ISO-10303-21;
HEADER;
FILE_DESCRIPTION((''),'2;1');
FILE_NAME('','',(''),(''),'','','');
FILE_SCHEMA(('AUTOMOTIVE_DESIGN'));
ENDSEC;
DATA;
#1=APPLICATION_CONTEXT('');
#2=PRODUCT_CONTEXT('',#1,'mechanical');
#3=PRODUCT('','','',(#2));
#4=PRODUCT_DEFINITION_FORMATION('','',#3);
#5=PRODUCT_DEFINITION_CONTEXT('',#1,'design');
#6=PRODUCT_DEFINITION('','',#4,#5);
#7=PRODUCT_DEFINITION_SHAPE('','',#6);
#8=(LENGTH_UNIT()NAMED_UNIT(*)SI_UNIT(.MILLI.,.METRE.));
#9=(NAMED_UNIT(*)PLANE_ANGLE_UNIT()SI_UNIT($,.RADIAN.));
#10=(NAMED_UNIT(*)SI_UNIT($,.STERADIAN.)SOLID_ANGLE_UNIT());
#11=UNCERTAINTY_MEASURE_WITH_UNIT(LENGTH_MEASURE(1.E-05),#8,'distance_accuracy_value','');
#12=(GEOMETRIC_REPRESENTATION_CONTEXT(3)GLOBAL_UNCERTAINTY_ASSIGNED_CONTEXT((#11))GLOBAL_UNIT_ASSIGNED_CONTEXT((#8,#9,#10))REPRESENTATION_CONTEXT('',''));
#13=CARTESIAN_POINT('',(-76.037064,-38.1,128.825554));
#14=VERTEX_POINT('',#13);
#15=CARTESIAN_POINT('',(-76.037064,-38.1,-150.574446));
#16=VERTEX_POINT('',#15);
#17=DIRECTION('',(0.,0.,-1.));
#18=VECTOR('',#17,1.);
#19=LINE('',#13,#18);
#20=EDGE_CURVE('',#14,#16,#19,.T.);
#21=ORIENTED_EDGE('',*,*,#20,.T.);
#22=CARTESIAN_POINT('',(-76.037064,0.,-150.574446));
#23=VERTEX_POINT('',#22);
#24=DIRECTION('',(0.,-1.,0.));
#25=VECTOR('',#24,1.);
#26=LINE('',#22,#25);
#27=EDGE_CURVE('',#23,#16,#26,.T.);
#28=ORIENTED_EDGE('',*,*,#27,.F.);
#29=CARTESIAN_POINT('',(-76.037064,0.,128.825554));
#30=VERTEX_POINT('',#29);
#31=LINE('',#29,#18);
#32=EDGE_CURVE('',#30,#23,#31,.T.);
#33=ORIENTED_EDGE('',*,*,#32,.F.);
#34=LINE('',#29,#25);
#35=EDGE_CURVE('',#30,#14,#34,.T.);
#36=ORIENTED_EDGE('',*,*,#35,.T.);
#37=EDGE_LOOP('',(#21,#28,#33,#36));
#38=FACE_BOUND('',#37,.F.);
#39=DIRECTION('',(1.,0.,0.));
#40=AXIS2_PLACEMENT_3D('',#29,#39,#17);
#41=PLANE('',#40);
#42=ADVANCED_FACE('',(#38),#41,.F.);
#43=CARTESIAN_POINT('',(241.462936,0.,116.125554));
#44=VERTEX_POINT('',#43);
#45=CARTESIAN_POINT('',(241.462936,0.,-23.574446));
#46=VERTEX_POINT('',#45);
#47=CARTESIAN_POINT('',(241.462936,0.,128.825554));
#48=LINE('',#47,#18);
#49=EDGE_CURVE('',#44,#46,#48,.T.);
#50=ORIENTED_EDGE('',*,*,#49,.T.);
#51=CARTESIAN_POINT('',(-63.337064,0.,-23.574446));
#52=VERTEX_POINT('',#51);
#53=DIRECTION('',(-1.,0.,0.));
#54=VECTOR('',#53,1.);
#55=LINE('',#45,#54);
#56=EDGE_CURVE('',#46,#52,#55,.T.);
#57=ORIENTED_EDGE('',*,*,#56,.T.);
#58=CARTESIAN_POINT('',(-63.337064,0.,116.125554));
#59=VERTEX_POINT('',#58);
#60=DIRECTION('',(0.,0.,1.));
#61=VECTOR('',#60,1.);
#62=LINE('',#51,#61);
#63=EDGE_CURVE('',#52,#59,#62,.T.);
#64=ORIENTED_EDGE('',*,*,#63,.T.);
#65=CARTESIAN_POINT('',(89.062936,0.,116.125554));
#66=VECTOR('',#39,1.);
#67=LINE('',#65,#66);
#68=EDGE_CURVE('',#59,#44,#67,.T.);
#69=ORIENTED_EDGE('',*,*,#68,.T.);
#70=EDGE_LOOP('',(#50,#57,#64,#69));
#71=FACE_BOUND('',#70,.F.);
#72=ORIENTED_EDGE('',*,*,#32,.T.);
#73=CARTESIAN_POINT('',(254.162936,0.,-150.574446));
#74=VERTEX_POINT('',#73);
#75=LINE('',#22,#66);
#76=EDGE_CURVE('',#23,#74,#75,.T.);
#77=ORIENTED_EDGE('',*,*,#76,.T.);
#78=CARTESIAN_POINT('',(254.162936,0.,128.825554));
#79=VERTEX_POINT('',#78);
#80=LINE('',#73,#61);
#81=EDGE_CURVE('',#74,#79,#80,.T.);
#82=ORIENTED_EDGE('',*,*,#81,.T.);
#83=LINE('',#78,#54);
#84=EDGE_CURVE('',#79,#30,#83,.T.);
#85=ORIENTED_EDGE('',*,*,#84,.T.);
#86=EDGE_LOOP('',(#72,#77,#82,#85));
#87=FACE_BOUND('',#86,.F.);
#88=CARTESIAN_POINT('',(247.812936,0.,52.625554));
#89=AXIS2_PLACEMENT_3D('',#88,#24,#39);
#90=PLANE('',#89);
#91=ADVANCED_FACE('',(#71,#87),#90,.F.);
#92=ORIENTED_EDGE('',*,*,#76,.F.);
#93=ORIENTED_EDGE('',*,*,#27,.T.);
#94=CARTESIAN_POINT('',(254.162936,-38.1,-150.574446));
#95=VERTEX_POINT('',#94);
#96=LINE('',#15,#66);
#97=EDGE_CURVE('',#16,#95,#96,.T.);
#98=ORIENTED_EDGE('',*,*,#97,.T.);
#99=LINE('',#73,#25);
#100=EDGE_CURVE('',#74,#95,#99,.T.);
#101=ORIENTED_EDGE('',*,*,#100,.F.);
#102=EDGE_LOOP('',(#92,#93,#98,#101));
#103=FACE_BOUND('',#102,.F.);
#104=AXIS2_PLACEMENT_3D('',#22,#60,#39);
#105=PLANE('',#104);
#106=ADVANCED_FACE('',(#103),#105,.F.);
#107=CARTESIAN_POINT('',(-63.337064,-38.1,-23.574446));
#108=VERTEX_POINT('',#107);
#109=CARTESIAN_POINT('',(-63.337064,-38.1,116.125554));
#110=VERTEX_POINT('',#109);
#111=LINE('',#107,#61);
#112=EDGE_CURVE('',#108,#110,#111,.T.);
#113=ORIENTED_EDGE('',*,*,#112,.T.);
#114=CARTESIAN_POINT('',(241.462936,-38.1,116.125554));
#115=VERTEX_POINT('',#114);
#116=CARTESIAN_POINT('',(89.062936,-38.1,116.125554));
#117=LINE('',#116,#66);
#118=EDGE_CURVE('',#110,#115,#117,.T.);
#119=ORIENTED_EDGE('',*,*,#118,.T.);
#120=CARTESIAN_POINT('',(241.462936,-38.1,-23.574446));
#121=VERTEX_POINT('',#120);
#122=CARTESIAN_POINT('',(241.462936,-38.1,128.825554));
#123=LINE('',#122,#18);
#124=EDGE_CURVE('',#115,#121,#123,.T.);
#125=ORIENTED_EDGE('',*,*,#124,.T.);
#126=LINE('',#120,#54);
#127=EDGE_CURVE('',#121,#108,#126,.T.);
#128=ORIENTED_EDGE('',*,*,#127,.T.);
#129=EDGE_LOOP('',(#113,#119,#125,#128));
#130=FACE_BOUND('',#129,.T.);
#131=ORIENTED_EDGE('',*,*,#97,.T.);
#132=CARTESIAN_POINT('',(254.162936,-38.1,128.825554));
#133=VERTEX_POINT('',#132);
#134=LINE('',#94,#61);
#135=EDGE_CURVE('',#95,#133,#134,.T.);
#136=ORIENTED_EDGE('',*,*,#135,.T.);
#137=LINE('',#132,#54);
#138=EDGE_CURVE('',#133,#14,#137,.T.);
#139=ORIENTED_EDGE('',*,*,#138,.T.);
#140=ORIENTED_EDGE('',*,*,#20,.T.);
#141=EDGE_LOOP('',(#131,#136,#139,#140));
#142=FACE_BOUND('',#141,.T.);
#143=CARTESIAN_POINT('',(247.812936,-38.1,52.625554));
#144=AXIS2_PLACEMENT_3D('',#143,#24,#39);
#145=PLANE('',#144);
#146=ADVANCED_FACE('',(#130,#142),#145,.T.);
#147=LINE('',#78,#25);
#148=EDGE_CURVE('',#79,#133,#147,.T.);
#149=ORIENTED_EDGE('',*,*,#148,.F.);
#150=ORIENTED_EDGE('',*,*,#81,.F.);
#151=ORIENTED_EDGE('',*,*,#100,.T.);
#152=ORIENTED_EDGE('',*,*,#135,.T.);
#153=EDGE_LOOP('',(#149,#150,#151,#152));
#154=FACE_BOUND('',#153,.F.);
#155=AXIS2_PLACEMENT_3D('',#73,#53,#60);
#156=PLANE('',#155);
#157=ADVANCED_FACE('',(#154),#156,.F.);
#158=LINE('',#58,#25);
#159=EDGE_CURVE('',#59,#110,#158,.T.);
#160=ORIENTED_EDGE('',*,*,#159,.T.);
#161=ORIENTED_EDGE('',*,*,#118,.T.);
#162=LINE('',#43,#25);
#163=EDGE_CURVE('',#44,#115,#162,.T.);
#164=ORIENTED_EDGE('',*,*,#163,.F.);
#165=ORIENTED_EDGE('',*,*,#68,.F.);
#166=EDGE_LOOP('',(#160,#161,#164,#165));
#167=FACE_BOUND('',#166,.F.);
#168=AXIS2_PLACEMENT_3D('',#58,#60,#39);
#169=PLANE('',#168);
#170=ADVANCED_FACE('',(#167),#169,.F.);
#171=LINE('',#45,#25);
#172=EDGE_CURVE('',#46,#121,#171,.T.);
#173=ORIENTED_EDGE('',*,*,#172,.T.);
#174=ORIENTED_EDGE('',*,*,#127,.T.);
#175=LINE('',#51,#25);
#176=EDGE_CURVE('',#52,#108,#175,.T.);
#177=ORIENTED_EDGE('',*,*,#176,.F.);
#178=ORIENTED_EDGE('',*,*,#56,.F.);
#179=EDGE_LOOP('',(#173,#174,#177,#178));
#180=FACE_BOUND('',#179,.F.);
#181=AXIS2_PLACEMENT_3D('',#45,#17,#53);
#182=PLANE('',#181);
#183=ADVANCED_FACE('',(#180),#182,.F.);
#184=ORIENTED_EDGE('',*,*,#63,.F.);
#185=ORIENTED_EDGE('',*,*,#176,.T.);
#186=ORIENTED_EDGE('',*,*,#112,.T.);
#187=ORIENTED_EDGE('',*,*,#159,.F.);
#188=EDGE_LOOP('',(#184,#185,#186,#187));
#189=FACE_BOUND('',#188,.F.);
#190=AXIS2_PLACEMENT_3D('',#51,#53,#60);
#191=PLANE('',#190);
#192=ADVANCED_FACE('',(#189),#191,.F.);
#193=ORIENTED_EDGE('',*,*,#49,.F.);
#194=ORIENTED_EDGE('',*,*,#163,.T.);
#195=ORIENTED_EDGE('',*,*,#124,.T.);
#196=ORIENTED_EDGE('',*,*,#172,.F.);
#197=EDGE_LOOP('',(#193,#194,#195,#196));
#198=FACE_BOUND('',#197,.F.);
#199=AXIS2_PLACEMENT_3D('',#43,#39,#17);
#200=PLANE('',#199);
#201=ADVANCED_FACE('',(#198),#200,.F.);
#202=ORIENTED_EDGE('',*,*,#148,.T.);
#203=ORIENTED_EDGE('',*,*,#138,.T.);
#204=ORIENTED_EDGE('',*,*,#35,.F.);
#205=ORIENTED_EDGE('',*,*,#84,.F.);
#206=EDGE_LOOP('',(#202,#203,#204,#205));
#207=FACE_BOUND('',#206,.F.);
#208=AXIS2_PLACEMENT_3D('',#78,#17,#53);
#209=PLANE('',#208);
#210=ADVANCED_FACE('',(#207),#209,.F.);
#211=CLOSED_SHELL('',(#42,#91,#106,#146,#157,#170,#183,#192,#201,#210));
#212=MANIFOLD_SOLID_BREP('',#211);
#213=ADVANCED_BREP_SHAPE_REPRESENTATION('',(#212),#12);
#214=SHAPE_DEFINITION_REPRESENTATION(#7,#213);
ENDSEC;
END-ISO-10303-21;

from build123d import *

# Parameters (mm, degrees)
F0_W     = 304.8
F0_H     = 12.7
F1_DEPTH = 38.1


with BuildPart() as f1:
    # F0 (on Front) → F1 (new body)
    with BuildSketch(Plane.XZ):
        Polygon((254.162936, 128.825554), (241.462936, 128.825554), (241.462936, 116.125554), (241.462936, -23.574446), (254.162936, -23.574446), align=None)
        Polygon((-63.337064, -23.574446), (-76.037064, -23.574446), (-76.037064, -150.574446), (254.162936, -150.574446), (254.162936, -23.574446), (241.462936, -23.574446), align=None)
        with Locations((89.062936, 122.475554)):
            Rectangle(F0_W, F0_H)
        Polygon((-63.337064, 128.825554), (-76.037064, 128.825554), (-76.037064, -23.574446), (-63.337064, -23.574446), (-63.337064, 116.125554), align=None)
    extrude(amount=F1_DEPTH)


solid = f1.part
